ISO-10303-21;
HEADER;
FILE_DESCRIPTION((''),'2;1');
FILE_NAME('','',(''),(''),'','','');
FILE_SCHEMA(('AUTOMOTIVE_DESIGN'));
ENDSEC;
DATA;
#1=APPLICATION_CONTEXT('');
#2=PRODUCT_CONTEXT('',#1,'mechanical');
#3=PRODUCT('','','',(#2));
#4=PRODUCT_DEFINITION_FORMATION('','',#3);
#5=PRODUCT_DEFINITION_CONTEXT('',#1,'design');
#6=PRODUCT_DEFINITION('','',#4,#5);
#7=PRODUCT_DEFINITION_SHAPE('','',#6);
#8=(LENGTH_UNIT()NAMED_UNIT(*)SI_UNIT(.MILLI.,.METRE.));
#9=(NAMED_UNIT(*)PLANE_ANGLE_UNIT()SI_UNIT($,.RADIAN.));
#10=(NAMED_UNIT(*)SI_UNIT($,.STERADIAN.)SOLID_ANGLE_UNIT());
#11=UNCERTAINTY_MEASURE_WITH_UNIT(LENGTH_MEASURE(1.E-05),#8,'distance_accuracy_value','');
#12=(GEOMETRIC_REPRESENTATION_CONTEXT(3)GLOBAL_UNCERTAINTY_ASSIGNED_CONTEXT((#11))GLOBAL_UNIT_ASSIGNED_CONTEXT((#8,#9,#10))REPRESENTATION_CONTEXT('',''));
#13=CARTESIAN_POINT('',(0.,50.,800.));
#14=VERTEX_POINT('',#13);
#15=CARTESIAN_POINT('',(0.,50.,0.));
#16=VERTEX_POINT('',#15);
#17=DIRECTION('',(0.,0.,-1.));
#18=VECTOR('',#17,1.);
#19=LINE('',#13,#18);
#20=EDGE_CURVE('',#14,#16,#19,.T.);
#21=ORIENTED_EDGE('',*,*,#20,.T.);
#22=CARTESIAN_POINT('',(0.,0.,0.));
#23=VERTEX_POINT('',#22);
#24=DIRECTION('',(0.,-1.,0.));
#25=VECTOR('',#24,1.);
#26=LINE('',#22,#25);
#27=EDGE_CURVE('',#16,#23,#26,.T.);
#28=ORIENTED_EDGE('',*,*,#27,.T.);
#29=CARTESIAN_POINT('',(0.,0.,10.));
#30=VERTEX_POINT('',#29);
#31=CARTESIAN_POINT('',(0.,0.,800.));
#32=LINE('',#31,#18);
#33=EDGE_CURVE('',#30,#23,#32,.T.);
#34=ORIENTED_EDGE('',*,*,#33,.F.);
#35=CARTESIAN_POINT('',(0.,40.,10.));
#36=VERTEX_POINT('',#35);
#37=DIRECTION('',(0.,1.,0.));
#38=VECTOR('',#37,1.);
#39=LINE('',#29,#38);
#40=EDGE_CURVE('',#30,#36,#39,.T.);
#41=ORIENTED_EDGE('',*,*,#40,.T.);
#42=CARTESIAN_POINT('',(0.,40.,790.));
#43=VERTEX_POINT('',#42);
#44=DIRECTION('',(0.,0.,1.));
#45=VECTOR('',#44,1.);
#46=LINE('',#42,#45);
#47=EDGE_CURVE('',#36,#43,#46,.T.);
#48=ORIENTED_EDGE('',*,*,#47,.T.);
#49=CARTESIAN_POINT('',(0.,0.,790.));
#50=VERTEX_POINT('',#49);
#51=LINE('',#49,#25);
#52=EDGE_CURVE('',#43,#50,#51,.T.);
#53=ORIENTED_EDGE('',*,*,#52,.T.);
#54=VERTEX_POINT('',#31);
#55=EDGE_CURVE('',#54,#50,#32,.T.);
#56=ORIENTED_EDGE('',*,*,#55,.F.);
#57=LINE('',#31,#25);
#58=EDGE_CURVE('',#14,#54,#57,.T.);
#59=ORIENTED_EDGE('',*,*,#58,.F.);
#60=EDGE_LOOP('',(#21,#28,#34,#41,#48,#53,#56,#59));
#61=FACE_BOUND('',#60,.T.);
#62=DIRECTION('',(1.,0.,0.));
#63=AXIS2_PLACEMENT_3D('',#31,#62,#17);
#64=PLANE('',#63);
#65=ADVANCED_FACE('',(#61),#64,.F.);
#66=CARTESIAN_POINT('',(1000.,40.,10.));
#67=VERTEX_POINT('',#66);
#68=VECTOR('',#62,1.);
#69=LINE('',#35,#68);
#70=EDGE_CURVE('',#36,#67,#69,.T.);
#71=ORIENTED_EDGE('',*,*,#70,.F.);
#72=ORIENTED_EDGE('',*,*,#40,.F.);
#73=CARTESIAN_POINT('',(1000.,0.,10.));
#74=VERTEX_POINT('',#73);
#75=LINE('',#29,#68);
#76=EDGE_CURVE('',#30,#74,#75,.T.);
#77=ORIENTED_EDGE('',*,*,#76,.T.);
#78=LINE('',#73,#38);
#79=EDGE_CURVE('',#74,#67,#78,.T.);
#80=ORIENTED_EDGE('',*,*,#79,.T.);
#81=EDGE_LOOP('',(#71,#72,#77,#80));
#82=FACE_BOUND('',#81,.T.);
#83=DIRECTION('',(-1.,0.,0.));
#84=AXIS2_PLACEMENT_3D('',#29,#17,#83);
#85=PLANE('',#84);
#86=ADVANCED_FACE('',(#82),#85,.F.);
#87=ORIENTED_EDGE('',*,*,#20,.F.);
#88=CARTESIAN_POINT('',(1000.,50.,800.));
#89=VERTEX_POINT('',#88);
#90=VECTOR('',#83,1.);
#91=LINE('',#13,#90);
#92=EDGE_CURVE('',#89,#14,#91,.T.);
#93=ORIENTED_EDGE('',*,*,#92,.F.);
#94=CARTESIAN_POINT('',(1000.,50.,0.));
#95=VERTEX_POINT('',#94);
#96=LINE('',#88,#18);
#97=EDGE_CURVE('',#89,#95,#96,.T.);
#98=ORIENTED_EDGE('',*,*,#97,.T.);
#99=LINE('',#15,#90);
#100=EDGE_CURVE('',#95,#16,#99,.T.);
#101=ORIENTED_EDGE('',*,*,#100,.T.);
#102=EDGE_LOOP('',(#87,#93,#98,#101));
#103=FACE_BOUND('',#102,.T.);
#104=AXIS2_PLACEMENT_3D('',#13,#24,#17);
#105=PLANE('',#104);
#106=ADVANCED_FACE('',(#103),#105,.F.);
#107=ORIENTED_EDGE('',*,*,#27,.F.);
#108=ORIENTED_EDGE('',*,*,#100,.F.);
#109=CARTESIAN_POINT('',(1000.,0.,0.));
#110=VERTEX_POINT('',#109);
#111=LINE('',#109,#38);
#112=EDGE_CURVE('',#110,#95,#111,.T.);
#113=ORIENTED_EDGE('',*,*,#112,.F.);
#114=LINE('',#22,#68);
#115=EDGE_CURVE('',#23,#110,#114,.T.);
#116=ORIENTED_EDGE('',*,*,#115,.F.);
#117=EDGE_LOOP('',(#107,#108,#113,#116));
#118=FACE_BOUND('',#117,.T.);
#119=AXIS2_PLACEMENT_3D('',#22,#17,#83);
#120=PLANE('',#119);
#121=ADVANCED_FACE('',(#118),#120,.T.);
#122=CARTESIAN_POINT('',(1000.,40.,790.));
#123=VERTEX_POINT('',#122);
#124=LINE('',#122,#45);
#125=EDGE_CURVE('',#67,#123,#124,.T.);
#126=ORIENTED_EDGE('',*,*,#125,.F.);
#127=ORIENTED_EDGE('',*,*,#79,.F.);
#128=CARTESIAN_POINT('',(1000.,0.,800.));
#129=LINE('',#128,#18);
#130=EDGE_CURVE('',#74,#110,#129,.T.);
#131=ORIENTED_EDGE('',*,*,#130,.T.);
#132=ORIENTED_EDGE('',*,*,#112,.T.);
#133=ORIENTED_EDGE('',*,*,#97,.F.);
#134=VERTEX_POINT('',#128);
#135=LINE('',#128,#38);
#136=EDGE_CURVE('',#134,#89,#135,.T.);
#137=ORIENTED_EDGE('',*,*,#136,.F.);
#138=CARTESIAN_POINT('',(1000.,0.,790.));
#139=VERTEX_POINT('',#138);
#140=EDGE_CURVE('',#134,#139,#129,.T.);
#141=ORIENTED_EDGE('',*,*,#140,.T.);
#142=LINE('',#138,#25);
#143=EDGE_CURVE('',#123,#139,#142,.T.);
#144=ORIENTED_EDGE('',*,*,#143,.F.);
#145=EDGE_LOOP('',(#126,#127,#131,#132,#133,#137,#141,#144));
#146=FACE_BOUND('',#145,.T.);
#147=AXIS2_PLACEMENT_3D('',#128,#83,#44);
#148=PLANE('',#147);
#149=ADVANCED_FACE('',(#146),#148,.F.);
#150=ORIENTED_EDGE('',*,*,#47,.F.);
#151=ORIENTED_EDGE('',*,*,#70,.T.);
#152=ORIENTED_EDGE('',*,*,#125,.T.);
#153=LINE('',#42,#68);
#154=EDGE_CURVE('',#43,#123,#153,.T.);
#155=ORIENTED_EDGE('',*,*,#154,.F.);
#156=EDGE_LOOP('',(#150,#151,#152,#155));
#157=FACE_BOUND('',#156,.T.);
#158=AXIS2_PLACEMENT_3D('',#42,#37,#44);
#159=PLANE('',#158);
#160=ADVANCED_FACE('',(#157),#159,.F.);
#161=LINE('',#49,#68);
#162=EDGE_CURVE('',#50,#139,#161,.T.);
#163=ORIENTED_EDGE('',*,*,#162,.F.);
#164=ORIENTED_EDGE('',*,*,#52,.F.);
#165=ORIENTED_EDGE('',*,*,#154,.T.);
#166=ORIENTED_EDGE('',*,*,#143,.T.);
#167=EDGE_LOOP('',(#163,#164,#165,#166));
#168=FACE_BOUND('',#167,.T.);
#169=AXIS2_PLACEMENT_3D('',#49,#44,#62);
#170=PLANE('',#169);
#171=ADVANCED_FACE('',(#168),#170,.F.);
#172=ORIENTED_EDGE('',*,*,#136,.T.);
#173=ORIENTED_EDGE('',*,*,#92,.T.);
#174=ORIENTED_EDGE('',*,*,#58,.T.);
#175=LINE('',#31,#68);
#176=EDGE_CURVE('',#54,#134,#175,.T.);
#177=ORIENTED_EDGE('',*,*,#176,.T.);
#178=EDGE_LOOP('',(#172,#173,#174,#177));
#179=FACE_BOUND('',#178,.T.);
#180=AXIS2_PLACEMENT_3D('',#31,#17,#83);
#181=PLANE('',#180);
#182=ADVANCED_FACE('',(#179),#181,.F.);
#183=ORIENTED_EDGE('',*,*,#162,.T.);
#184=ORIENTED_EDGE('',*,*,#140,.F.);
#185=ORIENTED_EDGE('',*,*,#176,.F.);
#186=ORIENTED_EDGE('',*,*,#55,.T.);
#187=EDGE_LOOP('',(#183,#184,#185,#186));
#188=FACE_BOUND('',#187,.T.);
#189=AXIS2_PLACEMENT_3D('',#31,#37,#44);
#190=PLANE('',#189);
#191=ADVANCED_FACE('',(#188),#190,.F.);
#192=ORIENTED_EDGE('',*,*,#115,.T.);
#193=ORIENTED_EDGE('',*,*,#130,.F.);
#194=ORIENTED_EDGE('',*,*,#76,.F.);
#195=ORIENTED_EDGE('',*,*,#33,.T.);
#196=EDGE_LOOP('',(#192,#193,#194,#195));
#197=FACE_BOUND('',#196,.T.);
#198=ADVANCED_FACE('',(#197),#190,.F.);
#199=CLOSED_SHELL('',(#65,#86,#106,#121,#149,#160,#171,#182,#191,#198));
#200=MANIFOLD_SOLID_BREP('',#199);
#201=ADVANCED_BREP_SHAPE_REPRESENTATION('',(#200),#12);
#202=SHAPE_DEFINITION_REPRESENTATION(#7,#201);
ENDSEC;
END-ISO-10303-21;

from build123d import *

# Parameters (mm, degrees)
SKIZZE1_W                       = 1000
SKIZZE1_H                       = 50
AUFSATZ_LINEAR_AUSTRAGEN1_DEPTH = 800
SKIZZE2_W                       = 780
SKIZZE2_H                       = 40
SCHNITT_LINEAR_AUSTRAGEN1_DEPTH = 1282.600561798


with BuildPart() as part:
    # Skizze1 → Aufsatz-Linear austragen1 (new body)
    with BuildSketch(Plane.XY):
        with Locations((500, 25)):
            Rectangle(SKIZZE1_W, SKIZZE1_H)
    extrude(amount=AUFSATZ_LINEAR_AUSTRAGEN1_DEPTH)

    # Skizze2 → Schnitt-Linear austragen1 (cut, through all)
    with BuildSketch(Plane(origin=(1000, 0, 0), x_dir=(0, 0, -1), z_dir=(1, 0, 0))):
        with Locations((-400, 20)):
            Rectangle(SKIZZE2_W, SKIZZE2_H)
    extrude(amount=-SCHNITT_LINEAR_AUSTRAGEN1_DEPTH, mode=Mode.SUBTRACT)


solid = part.part
